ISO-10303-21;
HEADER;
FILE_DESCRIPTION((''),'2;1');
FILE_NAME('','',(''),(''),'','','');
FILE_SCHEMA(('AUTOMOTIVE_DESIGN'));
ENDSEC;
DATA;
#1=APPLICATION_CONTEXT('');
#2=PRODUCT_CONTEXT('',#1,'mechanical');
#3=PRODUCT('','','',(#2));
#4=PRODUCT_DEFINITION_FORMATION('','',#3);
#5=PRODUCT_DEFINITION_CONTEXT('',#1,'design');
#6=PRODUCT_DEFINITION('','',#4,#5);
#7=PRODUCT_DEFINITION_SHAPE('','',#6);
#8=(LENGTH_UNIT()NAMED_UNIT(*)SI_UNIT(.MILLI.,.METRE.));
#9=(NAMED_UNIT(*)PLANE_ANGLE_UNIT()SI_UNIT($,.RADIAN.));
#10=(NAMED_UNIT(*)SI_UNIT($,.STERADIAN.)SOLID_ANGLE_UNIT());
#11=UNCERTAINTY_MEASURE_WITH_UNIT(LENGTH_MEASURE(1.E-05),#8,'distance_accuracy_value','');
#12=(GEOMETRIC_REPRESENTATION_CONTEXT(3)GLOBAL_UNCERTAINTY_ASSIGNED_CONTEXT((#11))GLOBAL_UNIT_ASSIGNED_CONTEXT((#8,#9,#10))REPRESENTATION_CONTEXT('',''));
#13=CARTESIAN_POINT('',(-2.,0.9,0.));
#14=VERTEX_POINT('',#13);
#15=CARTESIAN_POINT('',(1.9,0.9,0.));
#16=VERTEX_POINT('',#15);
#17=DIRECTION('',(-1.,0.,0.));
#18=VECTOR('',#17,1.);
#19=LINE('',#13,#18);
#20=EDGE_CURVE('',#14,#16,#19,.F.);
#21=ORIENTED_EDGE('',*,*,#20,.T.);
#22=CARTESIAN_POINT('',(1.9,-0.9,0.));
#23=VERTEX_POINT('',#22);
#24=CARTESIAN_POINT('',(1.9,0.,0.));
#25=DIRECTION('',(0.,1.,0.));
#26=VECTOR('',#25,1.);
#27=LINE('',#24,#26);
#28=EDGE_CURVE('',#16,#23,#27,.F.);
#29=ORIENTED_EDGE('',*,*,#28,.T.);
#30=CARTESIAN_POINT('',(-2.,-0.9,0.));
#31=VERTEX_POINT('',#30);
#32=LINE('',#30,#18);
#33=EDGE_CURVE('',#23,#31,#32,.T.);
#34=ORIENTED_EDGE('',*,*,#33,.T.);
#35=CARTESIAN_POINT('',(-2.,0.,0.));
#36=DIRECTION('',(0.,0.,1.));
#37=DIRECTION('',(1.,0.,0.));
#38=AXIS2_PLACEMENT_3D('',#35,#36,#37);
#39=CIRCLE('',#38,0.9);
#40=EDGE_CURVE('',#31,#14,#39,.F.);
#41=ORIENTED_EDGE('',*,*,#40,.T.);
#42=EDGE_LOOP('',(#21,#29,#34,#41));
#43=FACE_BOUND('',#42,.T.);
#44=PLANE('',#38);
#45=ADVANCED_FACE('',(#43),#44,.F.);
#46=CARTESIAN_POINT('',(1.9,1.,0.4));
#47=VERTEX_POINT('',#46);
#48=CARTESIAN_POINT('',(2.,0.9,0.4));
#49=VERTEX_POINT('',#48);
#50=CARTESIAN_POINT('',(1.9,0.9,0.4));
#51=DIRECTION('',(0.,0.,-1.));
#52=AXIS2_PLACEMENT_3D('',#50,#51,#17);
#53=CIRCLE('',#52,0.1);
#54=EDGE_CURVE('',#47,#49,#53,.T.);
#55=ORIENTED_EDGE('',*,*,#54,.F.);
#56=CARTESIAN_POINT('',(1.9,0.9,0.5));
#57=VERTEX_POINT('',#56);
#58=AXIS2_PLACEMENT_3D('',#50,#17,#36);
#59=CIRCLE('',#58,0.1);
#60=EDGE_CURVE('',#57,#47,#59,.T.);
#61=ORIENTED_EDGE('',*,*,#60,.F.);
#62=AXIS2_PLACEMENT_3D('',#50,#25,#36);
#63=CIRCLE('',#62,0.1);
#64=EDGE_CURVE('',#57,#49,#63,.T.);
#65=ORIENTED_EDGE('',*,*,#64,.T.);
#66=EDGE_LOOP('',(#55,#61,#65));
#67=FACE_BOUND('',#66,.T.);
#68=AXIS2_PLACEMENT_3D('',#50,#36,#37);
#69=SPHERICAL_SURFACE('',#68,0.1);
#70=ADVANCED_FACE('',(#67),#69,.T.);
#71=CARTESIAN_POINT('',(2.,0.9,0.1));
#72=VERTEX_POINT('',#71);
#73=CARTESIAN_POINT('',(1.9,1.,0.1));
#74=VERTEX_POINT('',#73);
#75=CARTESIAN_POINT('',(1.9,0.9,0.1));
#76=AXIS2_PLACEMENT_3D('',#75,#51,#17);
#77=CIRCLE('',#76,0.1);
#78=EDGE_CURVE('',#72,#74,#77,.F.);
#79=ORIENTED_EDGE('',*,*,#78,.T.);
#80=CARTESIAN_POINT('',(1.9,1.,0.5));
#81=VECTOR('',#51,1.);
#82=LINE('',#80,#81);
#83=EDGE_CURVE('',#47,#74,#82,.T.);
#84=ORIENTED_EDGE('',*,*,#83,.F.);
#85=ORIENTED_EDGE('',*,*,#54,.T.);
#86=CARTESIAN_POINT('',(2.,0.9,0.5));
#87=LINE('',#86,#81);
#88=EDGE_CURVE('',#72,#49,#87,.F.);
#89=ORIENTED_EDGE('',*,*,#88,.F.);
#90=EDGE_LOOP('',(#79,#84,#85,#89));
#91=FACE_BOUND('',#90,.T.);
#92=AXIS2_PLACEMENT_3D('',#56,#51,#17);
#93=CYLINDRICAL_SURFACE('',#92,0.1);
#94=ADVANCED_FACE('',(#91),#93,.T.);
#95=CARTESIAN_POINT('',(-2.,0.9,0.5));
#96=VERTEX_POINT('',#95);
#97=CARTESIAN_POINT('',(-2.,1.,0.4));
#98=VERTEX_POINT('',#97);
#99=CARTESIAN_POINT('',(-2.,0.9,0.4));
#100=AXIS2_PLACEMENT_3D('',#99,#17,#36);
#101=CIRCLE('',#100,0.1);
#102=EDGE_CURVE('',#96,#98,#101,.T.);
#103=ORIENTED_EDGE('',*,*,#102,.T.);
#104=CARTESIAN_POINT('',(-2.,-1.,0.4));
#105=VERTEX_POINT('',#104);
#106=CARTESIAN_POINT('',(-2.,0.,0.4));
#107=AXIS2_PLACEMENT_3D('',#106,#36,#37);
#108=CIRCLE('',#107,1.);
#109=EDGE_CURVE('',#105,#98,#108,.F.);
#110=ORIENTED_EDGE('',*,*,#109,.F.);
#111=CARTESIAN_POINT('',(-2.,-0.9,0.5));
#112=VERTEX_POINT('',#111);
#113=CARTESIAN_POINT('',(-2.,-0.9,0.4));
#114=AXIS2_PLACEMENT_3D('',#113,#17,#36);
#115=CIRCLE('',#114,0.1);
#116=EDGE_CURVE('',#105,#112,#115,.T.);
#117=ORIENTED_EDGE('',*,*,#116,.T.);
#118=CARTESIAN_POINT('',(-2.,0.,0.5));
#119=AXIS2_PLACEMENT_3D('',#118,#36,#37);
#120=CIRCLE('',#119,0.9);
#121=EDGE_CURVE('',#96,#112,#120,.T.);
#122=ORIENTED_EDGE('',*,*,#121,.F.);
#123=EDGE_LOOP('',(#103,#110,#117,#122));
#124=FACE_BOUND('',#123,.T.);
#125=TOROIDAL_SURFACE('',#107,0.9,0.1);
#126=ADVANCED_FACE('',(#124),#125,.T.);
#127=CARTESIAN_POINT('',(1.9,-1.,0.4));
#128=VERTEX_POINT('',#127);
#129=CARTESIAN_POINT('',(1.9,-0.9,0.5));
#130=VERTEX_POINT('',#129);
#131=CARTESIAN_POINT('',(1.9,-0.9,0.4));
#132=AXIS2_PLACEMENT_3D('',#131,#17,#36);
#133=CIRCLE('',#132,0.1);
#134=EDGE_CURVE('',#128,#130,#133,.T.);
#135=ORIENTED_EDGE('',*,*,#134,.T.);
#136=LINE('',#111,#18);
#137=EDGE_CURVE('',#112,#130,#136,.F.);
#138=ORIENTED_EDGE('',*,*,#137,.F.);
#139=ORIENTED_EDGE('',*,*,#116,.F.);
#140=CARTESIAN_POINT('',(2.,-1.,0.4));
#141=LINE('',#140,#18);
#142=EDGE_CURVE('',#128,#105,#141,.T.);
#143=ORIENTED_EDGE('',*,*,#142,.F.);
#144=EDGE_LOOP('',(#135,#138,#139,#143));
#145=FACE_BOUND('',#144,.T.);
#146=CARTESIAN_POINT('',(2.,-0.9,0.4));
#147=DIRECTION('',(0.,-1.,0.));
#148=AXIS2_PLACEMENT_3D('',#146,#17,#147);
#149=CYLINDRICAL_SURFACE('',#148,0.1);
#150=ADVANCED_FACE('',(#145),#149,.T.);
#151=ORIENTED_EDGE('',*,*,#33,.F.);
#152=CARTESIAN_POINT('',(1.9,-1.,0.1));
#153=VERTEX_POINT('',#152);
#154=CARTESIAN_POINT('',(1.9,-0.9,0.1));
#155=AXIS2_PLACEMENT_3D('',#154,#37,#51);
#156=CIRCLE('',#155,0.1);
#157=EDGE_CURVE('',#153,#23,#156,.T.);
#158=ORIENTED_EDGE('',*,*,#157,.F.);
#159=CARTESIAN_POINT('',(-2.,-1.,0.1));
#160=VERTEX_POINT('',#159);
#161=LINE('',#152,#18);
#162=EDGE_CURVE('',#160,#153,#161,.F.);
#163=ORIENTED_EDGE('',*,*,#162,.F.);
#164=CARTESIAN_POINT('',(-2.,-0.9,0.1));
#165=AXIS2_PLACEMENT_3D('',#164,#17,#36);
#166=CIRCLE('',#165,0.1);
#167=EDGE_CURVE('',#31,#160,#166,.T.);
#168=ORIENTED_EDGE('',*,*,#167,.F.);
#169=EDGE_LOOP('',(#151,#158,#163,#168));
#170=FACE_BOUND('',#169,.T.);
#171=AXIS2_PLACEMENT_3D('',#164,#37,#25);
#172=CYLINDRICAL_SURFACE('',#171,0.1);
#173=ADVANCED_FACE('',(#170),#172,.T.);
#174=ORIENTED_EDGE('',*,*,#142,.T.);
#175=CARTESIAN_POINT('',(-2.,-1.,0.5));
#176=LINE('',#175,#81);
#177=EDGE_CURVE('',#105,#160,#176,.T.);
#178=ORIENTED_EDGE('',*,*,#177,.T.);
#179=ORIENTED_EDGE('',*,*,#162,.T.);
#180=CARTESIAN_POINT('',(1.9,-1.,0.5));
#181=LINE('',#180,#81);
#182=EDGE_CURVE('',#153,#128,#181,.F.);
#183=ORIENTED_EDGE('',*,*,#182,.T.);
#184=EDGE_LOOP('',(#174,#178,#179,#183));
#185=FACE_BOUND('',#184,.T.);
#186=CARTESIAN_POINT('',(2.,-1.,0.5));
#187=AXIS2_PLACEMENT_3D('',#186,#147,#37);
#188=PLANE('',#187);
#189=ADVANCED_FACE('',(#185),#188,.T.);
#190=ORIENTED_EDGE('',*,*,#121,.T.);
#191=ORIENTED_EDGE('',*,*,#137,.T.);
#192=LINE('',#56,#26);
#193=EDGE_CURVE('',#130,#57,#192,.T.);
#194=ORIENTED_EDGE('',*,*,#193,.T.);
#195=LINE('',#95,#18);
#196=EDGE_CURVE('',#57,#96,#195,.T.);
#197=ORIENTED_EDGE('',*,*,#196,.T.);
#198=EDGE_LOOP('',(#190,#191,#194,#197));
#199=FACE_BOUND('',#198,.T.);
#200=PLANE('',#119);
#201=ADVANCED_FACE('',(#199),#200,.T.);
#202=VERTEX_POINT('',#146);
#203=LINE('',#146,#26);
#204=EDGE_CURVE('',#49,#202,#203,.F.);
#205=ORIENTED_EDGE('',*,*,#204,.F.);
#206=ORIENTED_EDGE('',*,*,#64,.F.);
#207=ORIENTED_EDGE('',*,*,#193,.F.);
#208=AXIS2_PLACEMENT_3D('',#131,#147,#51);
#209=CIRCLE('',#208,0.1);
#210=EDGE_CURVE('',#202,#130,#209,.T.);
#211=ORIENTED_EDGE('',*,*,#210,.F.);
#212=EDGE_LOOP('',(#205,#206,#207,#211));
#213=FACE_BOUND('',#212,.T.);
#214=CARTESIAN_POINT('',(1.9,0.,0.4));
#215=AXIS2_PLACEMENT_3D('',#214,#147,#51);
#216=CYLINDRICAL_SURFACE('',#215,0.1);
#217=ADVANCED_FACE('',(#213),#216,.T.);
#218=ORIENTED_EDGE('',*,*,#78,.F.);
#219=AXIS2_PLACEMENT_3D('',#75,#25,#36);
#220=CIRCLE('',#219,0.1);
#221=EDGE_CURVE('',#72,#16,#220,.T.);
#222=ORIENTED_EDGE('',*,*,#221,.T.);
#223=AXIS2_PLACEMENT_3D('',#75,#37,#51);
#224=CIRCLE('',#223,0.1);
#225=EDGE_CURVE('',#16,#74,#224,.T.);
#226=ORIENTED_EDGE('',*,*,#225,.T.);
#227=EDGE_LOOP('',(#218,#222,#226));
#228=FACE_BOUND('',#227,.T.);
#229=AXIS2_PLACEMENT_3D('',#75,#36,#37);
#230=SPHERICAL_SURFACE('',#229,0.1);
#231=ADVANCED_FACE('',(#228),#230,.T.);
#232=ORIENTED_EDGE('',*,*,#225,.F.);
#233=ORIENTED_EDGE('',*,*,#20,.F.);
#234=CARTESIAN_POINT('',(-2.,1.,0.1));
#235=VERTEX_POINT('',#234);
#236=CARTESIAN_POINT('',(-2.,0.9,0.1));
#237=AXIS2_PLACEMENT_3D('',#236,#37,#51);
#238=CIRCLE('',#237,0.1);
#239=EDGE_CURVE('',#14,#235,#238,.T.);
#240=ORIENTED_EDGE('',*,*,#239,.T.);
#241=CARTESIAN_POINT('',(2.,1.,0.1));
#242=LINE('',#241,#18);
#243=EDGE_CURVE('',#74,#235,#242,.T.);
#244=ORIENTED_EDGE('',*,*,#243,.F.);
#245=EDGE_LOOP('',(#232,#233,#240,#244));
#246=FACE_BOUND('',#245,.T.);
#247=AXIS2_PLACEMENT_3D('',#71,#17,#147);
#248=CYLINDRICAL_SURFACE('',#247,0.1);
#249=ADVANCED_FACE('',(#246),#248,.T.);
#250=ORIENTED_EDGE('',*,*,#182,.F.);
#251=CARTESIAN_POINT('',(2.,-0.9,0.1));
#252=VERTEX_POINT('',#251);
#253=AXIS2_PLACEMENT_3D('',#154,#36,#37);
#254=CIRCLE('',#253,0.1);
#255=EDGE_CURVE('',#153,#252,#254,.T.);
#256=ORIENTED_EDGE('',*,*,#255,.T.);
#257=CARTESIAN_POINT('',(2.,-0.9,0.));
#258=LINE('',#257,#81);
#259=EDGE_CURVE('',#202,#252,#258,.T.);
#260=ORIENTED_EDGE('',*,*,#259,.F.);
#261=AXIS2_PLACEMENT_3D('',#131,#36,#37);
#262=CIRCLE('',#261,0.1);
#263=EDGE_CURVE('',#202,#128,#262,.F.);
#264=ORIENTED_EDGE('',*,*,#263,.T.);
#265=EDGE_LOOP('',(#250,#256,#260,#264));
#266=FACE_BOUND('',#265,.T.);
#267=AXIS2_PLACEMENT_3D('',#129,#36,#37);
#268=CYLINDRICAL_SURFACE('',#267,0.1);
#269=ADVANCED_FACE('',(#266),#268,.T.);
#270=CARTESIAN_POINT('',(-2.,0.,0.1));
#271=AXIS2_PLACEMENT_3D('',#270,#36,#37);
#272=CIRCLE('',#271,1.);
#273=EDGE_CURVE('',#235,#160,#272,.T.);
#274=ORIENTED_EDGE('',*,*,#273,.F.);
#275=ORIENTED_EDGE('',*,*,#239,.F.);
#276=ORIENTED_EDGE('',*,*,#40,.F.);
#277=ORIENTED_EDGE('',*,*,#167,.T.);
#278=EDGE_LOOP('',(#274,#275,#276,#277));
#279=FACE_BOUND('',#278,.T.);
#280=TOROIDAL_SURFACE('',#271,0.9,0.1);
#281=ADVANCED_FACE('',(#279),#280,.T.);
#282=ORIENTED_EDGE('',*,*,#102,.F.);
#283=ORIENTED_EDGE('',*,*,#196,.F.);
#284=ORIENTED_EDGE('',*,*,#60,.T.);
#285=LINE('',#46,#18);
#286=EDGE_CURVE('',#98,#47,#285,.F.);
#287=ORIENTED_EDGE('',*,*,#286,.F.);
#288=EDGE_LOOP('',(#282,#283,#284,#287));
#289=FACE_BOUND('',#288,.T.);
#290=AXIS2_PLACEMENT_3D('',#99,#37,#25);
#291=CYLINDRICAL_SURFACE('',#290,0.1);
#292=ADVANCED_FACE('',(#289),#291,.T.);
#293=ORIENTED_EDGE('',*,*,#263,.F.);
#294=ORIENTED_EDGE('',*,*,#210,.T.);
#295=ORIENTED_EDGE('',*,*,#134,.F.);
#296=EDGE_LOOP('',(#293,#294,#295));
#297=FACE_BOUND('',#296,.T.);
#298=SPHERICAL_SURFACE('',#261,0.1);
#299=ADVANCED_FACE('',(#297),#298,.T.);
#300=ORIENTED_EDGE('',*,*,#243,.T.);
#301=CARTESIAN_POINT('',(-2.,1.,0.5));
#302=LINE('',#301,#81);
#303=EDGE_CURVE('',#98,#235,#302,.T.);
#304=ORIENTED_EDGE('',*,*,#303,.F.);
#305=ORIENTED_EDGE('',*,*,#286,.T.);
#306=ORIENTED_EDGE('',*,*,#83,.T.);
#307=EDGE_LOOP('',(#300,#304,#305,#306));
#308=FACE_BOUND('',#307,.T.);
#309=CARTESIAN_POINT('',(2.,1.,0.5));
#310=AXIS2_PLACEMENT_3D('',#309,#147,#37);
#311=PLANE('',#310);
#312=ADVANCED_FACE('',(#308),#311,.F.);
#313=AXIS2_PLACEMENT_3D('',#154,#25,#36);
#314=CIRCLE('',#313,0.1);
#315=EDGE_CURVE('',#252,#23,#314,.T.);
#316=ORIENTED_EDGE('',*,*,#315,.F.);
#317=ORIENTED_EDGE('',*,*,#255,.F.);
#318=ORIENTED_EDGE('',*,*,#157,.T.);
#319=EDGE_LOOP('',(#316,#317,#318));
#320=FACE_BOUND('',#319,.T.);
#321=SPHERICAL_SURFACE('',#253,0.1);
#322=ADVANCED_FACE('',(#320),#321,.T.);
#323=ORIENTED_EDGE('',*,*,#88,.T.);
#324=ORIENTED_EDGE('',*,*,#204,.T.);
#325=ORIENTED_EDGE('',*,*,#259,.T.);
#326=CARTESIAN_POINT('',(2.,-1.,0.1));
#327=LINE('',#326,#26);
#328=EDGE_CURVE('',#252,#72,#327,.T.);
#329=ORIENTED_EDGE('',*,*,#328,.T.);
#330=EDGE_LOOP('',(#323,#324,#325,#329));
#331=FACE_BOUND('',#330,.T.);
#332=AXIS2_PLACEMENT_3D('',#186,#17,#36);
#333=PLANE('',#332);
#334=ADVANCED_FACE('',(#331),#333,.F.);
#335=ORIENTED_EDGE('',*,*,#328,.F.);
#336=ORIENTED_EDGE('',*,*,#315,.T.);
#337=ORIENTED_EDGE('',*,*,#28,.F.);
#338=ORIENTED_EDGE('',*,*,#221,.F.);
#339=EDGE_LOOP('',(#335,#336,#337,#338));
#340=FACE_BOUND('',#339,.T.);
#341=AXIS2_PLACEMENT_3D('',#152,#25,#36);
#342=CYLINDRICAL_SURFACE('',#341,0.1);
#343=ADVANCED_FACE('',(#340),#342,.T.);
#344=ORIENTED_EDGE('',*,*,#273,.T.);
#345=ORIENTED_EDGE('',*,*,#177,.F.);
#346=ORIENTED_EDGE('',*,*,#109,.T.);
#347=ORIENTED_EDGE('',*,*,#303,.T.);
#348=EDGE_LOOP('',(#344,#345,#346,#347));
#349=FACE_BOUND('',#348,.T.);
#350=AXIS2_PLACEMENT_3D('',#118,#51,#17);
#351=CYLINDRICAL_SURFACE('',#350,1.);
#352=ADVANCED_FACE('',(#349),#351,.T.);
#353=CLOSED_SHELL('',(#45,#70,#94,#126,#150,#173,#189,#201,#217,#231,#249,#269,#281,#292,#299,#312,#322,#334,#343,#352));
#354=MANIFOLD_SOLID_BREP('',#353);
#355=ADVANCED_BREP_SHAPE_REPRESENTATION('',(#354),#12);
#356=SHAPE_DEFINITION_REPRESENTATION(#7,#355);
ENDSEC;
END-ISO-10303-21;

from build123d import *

# Parameters (mm, degrees)
EXTRUDE_1_DEPTH = 0.5
FILLET_2_R      = 0.1
FILLET_1_R      = 0.1


with BuildPart() as part:
    # Эскиз1 → Бобышка-Вытянуть1 (new body)
    with BuildSketch(Plane.XY):
        with BuildLine():
            Line((2, -1), (-2, -1))
            ThreePointArc((-2, -1), (-3, 0), (-2, 1))
            Line((-2, 1), (2, 1))
            Line((2, 1), (2, -1))
        make_face()
    extrude(amount=EXTRUDE_1_DEPTH)

    # Скругление2
    fillet_2_edges = [part.edges().sort_by_distance(p)[0] for p in [
        (2, -1, 0.25),
        (2, 1, 0.25),
    ]]
    fillet(fillet_2_edges, radius=FILLET_2_R)

    # Скругление1
    fillet_1_edges = [part.edges().sort_by_distance(p)[0] for p in [
        (-3, 0, 0.5),
        (2, 0, 0),
        (2, 0, 0.5),
        (-0.05, -1, 0),
        (-0.05, 1, 0),
        (1.970710678, 0.970710678, 0),
        (1.970710678, -0.970710678, 0),
        (-0.05, -1, 0.5),
        (-0.05, 1, 0.5),
        (1.970710678, 0.970710678, 0.5),
        (1.970710678, -0.970710678, 0.5),
        (-3, 0, 0),
    ]]
    fillet(fillet_1_edges, radius=FILLET_1_R)


solid = part.part
